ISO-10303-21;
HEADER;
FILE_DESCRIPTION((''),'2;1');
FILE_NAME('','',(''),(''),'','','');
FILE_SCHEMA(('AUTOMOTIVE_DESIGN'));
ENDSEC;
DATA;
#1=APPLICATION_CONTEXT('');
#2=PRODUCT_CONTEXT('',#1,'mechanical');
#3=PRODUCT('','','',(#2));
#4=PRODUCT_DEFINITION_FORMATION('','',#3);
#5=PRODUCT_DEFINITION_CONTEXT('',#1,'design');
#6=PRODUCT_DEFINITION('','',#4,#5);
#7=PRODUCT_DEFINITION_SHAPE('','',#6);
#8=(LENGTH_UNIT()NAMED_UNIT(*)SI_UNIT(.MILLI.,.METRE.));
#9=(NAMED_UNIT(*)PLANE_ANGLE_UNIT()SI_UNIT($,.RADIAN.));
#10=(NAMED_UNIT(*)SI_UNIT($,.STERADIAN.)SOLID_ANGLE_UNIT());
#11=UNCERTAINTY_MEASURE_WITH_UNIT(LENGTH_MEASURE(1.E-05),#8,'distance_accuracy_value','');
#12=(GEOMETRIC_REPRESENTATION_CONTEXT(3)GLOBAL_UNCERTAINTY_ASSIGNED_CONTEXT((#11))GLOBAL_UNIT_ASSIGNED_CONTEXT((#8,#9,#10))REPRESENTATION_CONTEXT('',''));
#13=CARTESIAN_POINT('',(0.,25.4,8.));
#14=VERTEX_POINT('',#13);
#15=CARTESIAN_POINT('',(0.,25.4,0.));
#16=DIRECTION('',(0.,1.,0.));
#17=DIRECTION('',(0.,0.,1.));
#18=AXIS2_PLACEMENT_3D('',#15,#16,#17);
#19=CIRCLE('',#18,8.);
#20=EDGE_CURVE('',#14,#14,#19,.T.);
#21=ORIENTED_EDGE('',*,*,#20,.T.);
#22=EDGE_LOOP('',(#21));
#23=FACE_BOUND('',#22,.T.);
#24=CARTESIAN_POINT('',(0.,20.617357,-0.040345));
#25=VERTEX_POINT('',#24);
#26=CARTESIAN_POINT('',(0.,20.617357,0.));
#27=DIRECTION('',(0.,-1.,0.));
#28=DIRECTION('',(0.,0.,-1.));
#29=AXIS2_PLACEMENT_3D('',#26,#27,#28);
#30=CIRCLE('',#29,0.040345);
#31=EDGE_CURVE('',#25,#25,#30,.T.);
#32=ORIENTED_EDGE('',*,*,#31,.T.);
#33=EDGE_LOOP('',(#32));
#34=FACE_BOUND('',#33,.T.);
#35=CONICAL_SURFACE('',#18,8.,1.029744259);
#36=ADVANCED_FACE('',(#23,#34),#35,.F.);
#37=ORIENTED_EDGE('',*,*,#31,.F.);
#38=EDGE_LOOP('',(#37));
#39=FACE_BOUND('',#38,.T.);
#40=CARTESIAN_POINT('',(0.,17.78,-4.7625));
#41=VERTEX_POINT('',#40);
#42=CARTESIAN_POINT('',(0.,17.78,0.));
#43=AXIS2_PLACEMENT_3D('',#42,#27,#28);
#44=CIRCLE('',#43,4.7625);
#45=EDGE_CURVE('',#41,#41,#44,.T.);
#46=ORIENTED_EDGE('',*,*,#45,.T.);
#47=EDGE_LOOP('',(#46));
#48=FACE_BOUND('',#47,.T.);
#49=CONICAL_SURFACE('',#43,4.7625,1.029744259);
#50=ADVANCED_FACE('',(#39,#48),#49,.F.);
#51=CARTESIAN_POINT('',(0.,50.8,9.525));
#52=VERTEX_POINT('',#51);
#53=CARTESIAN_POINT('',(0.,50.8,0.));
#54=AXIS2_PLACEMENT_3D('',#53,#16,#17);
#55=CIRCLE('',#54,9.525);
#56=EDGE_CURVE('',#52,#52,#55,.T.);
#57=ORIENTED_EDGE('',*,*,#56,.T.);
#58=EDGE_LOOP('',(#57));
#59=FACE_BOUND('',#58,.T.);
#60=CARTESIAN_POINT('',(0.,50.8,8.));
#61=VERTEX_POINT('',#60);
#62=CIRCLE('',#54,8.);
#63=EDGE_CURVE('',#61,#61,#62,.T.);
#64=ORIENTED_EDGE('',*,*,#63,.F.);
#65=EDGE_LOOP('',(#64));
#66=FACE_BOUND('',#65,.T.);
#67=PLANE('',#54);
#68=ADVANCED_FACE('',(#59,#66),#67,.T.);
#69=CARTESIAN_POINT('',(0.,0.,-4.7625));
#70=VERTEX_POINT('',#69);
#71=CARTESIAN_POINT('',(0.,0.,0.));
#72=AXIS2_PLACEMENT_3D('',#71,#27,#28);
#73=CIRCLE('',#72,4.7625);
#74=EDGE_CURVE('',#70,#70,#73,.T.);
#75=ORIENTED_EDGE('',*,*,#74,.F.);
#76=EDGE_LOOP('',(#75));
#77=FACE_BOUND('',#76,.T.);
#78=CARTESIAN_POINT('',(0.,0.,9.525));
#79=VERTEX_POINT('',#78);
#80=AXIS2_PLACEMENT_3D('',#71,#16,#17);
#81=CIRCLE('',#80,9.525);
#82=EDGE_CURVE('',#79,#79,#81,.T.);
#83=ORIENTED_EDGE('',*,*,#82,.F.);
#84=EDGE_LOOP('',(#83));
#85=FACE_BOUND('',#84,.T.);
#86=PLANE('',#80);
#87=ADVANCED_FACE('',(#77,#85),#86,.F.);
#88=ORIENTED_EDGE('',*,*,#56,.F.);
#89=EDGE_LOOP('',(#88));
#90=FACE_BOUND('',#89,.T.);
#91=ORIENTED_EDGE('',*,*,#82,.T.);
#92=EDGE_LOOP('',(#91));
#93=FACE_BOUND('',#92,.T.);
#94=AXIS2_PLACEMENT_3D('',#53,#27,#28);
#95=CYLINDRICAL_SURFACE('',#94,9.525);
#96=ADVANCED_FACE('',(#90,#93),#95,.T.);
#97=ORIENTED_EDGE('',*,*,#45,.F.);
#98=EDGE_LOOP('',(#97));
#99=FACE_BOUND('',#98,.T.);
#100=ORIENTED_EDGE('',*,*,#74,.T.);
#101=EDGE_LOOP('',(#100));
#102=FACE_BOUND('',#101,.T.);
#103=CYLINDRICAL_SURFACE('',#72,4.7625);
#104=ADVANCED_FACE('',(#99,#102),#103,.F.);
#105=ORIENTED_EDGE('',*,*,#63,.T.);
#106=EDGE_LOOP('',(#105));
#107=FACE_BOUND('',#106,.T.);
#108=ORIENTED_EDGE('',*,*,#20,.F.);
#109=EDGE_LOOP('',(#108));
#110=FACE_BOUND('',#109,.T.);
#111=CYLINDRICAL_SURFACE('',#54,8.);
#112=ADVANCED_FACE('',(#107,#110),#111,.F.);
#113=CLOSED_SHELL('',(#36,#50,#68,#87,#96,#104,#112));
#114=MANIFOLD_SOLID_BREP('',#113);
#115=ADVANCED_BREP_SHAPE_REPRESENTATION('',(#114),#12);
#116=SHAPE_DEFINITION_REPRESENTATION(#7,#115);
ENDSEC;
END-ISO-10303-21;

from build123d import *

# Parameters (mm, degrees)
SKETCH1_R                        = 9.525
BOSS_EXTRUDE1_DEPTH              = 50.8
F_16_0_16_DIAMETER_HOLE1_D       = 16
F_16_0_16_DIAMETER_HOLE1_DEPTH   = 25.4
F_16_0_16_DIAMETER_HOLE1_TIP     = 4.806884952
F_3_8_0_375_DIAMETER_HOLE1_D     = 9.525
F_3_8_0_375_DIAMETER_HOLE1_DEPTH = 17.78
F_3_8_0_375_DIAMETER_HOLE1_TIP   = 2.861598698


with BuildPart() as part:
    # Sketch1 → Boss-Extrude1 (new body)
    with BuildSketch(Plane(origin=(0, 0, 0), x_dir=(1, 0, 0), z_dir=(0, 1, 0))):
        Circle(SKETCH1_R)
    extrude(amount=BOSS_EXTRUDE1_DEPTH)

    # Ø16.0 (16) Diameter Hole1
    with Locations(Plane(origin=(0, 50.8, 0), x_dir=(1, 0, 0), z_dir=(0, 1, 0))):
        with Locations((0, 0)):
            Hole(F_16_0_16_DIAMETER_HOLE1_D / 2, depth=F_16_0_16_DIAMETER_HOLE1_DEPTH)
            with Locations((0, 0, -(F_16_0_16_DIAMETER_HOLE1_DEPTH + F_16_0_16_DIAMETER_HOLE1_TIP / 2))):  # 118° drill point
                Cone(0, F_16_0_16_DIAMETER_HOLE1_D / 2, F_16_0_16_DIAMETER_HOLE1_TIP, mode=Mode.SUBTRACT)

    # 3/8 (0.375) Diameter Hole1
    with Locations(Plane(origin=(0, 0, 0), x_dir=(-1, 0, 0), z_dir=(0, -1, 0))):
        with Locations((0, 0)):
            Hole(F_3_8_0_375_DIAMETER_HOLE1_D / 2, depth=F_3_8_0_375_DIAMETER_HOLE1_DEPTH)
            with Locations((0, 0, -(F_3_8_0_375_DIAMETER_HOLE1_DEPTH + F_3_8_0_375_DIAMETER_HOLE1_TIP / 2))):  # 118° drill point
                Cone(0, F_3_8_0_375_DIAMETER_HOLE1_D / 2, F_3_8_0_375_DIAMETER_HOLE1_TIP, mode=Mode.SUBTRACT)


solid = part.part
